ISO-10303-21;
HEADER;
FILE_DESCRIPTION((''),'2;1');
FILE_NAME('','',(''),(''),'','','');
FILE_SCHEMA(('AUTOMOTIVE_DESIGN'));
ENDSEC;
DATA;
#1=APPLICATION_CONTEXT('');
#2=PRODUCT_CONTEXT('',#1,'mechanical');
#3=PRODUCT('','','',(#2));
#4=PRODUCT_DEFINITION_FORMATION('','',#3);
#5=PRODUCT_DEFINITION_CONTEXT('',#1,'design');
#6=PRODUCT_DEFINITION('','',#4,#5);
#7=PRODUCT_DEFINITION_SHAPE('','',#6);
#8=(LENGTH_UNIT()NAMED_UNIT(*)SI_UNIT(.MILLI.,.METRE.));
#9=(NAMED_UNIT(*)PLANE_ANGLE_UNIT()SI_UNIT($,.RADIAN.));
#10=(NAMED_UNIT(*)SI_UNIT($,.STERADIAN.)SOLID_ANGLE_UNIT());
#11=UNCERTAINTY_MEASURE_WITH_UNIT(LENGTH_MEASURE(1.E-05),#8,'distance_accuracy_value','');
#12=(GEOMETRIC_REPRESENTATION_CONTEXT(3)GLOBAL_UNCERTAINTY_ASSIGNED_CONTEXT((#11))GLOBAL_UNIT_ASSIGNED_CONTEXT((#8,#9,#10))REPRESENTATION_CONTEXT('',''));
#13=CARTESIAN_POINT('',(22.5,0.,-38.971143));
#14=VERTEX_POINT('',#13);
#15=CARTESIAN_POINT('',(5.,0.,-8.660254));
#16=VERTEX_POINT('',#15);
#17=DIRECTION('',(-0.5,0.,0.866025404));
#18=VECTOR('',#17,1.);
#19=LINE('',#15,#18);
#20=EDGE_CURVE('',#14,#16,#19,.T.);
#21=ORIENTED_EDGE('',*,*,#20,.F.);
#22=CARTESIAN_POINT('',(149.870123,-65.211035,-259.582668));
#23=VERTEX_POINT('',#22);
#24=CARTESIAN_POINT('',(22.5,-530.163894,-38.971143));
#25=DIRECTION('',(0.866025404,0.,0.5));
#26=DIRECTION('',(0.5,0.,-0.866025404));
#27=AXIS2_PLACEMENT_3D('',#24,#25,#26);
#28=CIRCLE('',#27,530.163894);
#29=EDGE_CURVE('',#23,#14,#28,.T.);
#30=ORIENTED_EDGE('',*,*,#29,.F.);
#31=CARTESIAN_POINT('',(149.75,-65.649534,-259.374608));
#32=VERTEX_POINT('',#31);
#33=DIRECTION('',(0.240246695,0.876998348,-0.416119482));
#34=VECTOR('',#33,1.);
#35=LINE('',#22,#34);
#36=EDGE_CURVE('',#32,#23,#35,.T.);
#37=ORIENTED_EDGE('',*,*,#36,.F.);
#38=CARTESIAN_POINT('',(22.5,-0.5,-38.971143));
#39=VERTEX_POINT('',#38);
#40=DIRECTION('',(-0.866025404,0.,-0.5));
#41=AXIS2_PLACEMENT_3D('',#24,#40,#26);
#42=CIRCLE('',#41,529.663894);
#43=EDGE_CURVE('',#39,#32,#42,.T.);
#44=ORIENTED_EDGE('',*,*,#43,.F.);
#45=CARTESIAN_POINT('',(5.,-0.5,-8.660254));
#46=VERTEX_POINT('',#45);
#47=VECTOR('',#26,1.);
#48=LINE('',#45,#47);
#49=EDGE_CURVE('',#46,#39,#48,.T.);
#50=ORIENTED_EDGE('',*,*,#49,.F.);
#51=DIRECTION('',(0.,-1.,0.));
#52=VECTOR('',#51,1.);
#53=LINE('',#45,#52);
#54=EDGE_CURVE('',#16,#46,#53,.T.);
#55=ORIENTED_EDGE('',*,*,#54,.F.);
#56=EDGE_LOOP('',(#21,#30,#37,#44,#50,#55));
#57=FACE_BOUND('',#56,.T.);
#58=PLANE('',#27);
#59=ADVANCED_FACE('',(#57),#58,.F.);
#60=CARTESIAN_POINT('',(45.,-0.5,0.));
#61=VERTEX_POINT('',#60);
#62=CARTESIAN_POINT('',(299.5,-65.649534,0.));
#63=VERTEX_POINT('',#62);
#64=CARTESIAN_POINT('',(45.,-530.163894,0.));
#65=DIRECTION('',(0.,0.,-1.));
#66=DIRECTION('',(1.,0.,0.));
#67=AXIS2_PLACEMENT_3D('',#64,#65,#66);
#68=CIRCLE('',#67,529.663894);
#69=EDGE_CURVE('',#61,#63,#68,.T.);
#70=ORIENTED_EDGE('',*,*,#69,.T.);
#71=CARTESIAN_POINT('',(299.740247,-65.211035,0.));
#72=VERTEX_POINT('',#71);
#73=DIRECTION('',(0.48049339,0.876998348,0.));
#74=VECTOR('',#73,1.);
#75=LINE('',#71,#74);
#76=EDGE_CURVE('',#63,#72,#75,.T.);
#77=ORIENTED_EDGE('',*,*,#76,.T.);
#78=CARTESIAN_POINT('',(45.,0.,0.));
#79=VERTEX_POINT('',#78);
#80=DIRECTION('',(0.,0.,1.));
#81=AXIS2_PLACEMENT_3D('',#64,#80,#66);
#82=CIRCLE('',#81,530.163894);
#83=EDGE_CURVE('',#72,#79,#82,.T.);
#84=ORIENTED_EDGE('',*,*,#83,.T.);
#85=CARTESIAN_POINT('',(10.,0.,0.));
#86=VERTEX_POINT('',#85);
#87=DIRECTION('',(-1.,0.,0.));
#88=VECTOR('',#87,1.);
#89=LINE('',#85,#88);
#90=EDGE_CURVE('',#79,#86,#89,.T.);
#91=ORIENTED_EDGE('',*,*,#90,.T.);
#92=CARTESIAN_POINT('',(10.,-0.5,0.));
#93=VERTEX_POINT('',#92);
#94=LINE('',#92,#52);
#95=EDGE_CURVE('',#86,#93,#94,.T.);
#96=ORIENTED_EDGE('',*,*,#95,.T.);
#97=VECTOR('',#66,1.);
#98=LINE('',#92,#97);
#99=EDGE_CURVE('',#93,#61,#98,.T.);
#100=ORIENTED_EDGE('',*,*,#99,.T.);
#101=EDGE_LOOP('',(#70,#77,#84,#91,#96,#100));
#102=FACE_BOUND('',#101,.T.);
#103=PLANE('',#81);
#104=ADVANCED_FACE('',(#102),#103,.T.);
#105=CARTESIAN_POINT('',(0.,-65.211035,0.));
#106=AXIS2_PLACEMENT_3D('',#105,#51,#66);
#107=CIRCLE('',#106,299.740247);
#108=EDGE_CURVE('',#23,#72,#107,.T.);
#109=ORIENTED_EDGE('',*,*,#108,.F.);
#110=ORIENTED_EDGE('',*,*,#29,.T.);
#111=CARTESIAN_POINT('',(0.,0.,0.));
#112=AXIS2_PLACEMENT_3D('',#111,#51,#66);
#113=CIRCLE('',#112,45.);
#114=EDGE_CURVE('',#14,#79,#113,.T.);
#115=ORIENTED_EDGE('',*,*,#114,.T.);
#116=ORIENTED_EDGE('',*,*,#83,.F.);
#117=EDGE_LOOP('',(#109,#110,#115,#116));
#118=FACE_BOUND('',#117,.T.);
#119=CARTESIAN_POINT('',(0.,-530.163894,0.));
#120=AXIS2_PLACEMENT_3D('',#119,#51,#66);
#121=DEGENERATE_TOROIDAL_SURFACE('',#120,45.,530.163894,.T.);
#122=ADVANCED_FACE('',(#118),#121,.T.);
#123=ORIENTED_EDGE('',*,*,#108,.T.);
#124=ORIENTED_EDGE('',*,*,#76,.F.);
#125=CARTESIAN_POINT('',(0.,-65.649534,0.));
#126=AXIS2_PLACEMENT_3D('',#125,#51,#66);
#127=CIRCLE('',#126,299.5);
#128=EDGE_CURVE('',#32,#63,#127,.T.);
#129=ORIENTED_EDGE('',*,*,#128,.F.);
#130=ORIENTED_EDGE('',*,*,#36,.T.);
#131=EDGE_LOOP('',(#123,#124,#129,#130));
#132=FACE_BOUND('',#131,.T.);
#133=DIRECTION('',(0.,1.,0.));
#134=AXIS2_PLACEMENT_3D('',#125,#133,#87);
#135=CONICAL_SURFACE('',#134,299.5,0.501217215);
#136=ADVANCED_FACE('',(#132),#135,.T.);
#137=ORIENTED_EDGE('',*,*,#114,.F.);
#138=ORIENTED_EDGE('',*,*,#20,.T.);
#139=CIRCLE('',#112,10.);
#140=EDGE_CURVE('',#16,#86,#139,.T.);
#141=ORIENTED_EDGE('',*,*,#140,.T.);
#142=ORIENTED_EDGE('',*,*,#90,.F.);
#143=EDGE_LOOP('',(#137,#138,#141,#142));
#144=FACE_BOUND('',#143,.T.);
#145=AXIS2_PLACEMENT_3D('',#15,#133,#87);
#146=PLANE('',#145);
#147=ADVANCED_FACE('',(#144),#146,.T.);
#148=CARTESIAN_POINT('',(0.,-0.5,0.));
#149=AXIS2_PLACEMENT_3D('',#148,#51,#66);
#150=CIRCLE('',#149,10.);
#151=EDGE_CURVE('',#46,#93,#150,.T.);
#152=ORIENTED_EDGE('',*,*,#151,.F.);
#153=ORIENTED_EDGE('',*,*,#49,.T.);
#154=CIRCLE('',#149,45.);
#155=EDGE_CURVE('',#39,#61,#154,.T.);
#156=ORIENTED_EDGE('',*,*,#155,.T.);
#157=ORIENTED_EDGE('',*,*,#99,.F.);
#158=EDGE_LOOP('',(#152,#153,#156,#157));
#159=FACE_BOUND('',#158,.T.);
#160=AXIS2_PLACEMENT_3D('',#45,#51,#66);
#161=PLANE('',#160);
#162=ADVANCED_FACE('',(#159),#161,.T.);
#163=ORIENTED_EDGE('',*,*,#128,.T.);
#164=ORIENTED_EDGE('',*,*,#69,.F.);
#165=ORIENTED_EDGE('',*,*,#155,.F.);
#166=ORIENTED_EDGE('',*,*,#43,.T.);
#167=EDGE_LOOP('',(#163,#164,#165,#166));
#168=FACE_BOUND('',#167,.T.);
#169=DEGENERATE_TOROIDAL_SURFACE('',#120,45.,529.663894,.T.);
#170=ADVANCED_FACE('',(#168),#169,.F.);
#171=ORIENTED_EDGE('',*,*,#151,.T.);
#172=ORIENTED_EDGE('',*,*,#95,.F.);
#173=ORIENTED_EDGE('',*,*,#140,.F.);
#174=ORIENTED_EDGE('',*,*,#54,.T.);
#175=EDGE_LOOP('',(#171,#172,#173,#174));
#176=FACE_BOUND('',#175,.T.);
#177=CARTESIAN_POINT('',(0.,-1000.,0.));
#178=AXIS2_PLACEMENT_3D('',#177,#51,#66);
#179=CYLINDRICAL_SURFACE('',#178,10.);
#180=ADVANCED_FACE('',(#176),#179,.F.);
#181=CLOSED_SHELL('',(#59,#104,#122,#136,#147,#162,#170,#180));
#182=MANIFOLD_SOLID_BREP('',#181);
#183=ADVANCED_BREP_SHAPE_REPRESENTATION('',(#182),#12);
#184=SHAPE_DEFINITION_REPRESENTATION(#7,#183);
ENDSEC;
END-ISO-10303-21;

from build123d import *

# Parameters (mm, degrees)
REVOLVE1_ANGLE = 60


with BuildPart() as part:
    # Sketch1 → Revolve1 (revolve)
    with BuildSketch(Plane.XY):
        with BuildLine():
            Line((10, -0.5), (45, -0.5))
            ThreePointArc((45, -0.5), (45.500946005, -0.500236893), (46.001891561, -0.50094757))
            ThreePointArc((46.001891561, -0.50094757), (176.838494864, -17.170276226), (299.5, -65.649534053))
            Line((299.5, -65.649534053), (299.740246695, -65.211034879))
            ThreePointArc((299.740246695, -65.211034879), (176.962949727, -16.686012882), (46.002837341, -0.000948465))
            ThreePointArc((46.002837341, -0.000948465), (45.501418895, -0.000237116), (45, 0))
            Line((45, 0), (10, 0))
            Line((10, 0), (10, -0.5))
        make_face()
    revolve(axis=Axis((0, -1000, 0), (0, 1, 0)), revolution_arc=REVOLVE1_ANGLE)


solid = part.part
